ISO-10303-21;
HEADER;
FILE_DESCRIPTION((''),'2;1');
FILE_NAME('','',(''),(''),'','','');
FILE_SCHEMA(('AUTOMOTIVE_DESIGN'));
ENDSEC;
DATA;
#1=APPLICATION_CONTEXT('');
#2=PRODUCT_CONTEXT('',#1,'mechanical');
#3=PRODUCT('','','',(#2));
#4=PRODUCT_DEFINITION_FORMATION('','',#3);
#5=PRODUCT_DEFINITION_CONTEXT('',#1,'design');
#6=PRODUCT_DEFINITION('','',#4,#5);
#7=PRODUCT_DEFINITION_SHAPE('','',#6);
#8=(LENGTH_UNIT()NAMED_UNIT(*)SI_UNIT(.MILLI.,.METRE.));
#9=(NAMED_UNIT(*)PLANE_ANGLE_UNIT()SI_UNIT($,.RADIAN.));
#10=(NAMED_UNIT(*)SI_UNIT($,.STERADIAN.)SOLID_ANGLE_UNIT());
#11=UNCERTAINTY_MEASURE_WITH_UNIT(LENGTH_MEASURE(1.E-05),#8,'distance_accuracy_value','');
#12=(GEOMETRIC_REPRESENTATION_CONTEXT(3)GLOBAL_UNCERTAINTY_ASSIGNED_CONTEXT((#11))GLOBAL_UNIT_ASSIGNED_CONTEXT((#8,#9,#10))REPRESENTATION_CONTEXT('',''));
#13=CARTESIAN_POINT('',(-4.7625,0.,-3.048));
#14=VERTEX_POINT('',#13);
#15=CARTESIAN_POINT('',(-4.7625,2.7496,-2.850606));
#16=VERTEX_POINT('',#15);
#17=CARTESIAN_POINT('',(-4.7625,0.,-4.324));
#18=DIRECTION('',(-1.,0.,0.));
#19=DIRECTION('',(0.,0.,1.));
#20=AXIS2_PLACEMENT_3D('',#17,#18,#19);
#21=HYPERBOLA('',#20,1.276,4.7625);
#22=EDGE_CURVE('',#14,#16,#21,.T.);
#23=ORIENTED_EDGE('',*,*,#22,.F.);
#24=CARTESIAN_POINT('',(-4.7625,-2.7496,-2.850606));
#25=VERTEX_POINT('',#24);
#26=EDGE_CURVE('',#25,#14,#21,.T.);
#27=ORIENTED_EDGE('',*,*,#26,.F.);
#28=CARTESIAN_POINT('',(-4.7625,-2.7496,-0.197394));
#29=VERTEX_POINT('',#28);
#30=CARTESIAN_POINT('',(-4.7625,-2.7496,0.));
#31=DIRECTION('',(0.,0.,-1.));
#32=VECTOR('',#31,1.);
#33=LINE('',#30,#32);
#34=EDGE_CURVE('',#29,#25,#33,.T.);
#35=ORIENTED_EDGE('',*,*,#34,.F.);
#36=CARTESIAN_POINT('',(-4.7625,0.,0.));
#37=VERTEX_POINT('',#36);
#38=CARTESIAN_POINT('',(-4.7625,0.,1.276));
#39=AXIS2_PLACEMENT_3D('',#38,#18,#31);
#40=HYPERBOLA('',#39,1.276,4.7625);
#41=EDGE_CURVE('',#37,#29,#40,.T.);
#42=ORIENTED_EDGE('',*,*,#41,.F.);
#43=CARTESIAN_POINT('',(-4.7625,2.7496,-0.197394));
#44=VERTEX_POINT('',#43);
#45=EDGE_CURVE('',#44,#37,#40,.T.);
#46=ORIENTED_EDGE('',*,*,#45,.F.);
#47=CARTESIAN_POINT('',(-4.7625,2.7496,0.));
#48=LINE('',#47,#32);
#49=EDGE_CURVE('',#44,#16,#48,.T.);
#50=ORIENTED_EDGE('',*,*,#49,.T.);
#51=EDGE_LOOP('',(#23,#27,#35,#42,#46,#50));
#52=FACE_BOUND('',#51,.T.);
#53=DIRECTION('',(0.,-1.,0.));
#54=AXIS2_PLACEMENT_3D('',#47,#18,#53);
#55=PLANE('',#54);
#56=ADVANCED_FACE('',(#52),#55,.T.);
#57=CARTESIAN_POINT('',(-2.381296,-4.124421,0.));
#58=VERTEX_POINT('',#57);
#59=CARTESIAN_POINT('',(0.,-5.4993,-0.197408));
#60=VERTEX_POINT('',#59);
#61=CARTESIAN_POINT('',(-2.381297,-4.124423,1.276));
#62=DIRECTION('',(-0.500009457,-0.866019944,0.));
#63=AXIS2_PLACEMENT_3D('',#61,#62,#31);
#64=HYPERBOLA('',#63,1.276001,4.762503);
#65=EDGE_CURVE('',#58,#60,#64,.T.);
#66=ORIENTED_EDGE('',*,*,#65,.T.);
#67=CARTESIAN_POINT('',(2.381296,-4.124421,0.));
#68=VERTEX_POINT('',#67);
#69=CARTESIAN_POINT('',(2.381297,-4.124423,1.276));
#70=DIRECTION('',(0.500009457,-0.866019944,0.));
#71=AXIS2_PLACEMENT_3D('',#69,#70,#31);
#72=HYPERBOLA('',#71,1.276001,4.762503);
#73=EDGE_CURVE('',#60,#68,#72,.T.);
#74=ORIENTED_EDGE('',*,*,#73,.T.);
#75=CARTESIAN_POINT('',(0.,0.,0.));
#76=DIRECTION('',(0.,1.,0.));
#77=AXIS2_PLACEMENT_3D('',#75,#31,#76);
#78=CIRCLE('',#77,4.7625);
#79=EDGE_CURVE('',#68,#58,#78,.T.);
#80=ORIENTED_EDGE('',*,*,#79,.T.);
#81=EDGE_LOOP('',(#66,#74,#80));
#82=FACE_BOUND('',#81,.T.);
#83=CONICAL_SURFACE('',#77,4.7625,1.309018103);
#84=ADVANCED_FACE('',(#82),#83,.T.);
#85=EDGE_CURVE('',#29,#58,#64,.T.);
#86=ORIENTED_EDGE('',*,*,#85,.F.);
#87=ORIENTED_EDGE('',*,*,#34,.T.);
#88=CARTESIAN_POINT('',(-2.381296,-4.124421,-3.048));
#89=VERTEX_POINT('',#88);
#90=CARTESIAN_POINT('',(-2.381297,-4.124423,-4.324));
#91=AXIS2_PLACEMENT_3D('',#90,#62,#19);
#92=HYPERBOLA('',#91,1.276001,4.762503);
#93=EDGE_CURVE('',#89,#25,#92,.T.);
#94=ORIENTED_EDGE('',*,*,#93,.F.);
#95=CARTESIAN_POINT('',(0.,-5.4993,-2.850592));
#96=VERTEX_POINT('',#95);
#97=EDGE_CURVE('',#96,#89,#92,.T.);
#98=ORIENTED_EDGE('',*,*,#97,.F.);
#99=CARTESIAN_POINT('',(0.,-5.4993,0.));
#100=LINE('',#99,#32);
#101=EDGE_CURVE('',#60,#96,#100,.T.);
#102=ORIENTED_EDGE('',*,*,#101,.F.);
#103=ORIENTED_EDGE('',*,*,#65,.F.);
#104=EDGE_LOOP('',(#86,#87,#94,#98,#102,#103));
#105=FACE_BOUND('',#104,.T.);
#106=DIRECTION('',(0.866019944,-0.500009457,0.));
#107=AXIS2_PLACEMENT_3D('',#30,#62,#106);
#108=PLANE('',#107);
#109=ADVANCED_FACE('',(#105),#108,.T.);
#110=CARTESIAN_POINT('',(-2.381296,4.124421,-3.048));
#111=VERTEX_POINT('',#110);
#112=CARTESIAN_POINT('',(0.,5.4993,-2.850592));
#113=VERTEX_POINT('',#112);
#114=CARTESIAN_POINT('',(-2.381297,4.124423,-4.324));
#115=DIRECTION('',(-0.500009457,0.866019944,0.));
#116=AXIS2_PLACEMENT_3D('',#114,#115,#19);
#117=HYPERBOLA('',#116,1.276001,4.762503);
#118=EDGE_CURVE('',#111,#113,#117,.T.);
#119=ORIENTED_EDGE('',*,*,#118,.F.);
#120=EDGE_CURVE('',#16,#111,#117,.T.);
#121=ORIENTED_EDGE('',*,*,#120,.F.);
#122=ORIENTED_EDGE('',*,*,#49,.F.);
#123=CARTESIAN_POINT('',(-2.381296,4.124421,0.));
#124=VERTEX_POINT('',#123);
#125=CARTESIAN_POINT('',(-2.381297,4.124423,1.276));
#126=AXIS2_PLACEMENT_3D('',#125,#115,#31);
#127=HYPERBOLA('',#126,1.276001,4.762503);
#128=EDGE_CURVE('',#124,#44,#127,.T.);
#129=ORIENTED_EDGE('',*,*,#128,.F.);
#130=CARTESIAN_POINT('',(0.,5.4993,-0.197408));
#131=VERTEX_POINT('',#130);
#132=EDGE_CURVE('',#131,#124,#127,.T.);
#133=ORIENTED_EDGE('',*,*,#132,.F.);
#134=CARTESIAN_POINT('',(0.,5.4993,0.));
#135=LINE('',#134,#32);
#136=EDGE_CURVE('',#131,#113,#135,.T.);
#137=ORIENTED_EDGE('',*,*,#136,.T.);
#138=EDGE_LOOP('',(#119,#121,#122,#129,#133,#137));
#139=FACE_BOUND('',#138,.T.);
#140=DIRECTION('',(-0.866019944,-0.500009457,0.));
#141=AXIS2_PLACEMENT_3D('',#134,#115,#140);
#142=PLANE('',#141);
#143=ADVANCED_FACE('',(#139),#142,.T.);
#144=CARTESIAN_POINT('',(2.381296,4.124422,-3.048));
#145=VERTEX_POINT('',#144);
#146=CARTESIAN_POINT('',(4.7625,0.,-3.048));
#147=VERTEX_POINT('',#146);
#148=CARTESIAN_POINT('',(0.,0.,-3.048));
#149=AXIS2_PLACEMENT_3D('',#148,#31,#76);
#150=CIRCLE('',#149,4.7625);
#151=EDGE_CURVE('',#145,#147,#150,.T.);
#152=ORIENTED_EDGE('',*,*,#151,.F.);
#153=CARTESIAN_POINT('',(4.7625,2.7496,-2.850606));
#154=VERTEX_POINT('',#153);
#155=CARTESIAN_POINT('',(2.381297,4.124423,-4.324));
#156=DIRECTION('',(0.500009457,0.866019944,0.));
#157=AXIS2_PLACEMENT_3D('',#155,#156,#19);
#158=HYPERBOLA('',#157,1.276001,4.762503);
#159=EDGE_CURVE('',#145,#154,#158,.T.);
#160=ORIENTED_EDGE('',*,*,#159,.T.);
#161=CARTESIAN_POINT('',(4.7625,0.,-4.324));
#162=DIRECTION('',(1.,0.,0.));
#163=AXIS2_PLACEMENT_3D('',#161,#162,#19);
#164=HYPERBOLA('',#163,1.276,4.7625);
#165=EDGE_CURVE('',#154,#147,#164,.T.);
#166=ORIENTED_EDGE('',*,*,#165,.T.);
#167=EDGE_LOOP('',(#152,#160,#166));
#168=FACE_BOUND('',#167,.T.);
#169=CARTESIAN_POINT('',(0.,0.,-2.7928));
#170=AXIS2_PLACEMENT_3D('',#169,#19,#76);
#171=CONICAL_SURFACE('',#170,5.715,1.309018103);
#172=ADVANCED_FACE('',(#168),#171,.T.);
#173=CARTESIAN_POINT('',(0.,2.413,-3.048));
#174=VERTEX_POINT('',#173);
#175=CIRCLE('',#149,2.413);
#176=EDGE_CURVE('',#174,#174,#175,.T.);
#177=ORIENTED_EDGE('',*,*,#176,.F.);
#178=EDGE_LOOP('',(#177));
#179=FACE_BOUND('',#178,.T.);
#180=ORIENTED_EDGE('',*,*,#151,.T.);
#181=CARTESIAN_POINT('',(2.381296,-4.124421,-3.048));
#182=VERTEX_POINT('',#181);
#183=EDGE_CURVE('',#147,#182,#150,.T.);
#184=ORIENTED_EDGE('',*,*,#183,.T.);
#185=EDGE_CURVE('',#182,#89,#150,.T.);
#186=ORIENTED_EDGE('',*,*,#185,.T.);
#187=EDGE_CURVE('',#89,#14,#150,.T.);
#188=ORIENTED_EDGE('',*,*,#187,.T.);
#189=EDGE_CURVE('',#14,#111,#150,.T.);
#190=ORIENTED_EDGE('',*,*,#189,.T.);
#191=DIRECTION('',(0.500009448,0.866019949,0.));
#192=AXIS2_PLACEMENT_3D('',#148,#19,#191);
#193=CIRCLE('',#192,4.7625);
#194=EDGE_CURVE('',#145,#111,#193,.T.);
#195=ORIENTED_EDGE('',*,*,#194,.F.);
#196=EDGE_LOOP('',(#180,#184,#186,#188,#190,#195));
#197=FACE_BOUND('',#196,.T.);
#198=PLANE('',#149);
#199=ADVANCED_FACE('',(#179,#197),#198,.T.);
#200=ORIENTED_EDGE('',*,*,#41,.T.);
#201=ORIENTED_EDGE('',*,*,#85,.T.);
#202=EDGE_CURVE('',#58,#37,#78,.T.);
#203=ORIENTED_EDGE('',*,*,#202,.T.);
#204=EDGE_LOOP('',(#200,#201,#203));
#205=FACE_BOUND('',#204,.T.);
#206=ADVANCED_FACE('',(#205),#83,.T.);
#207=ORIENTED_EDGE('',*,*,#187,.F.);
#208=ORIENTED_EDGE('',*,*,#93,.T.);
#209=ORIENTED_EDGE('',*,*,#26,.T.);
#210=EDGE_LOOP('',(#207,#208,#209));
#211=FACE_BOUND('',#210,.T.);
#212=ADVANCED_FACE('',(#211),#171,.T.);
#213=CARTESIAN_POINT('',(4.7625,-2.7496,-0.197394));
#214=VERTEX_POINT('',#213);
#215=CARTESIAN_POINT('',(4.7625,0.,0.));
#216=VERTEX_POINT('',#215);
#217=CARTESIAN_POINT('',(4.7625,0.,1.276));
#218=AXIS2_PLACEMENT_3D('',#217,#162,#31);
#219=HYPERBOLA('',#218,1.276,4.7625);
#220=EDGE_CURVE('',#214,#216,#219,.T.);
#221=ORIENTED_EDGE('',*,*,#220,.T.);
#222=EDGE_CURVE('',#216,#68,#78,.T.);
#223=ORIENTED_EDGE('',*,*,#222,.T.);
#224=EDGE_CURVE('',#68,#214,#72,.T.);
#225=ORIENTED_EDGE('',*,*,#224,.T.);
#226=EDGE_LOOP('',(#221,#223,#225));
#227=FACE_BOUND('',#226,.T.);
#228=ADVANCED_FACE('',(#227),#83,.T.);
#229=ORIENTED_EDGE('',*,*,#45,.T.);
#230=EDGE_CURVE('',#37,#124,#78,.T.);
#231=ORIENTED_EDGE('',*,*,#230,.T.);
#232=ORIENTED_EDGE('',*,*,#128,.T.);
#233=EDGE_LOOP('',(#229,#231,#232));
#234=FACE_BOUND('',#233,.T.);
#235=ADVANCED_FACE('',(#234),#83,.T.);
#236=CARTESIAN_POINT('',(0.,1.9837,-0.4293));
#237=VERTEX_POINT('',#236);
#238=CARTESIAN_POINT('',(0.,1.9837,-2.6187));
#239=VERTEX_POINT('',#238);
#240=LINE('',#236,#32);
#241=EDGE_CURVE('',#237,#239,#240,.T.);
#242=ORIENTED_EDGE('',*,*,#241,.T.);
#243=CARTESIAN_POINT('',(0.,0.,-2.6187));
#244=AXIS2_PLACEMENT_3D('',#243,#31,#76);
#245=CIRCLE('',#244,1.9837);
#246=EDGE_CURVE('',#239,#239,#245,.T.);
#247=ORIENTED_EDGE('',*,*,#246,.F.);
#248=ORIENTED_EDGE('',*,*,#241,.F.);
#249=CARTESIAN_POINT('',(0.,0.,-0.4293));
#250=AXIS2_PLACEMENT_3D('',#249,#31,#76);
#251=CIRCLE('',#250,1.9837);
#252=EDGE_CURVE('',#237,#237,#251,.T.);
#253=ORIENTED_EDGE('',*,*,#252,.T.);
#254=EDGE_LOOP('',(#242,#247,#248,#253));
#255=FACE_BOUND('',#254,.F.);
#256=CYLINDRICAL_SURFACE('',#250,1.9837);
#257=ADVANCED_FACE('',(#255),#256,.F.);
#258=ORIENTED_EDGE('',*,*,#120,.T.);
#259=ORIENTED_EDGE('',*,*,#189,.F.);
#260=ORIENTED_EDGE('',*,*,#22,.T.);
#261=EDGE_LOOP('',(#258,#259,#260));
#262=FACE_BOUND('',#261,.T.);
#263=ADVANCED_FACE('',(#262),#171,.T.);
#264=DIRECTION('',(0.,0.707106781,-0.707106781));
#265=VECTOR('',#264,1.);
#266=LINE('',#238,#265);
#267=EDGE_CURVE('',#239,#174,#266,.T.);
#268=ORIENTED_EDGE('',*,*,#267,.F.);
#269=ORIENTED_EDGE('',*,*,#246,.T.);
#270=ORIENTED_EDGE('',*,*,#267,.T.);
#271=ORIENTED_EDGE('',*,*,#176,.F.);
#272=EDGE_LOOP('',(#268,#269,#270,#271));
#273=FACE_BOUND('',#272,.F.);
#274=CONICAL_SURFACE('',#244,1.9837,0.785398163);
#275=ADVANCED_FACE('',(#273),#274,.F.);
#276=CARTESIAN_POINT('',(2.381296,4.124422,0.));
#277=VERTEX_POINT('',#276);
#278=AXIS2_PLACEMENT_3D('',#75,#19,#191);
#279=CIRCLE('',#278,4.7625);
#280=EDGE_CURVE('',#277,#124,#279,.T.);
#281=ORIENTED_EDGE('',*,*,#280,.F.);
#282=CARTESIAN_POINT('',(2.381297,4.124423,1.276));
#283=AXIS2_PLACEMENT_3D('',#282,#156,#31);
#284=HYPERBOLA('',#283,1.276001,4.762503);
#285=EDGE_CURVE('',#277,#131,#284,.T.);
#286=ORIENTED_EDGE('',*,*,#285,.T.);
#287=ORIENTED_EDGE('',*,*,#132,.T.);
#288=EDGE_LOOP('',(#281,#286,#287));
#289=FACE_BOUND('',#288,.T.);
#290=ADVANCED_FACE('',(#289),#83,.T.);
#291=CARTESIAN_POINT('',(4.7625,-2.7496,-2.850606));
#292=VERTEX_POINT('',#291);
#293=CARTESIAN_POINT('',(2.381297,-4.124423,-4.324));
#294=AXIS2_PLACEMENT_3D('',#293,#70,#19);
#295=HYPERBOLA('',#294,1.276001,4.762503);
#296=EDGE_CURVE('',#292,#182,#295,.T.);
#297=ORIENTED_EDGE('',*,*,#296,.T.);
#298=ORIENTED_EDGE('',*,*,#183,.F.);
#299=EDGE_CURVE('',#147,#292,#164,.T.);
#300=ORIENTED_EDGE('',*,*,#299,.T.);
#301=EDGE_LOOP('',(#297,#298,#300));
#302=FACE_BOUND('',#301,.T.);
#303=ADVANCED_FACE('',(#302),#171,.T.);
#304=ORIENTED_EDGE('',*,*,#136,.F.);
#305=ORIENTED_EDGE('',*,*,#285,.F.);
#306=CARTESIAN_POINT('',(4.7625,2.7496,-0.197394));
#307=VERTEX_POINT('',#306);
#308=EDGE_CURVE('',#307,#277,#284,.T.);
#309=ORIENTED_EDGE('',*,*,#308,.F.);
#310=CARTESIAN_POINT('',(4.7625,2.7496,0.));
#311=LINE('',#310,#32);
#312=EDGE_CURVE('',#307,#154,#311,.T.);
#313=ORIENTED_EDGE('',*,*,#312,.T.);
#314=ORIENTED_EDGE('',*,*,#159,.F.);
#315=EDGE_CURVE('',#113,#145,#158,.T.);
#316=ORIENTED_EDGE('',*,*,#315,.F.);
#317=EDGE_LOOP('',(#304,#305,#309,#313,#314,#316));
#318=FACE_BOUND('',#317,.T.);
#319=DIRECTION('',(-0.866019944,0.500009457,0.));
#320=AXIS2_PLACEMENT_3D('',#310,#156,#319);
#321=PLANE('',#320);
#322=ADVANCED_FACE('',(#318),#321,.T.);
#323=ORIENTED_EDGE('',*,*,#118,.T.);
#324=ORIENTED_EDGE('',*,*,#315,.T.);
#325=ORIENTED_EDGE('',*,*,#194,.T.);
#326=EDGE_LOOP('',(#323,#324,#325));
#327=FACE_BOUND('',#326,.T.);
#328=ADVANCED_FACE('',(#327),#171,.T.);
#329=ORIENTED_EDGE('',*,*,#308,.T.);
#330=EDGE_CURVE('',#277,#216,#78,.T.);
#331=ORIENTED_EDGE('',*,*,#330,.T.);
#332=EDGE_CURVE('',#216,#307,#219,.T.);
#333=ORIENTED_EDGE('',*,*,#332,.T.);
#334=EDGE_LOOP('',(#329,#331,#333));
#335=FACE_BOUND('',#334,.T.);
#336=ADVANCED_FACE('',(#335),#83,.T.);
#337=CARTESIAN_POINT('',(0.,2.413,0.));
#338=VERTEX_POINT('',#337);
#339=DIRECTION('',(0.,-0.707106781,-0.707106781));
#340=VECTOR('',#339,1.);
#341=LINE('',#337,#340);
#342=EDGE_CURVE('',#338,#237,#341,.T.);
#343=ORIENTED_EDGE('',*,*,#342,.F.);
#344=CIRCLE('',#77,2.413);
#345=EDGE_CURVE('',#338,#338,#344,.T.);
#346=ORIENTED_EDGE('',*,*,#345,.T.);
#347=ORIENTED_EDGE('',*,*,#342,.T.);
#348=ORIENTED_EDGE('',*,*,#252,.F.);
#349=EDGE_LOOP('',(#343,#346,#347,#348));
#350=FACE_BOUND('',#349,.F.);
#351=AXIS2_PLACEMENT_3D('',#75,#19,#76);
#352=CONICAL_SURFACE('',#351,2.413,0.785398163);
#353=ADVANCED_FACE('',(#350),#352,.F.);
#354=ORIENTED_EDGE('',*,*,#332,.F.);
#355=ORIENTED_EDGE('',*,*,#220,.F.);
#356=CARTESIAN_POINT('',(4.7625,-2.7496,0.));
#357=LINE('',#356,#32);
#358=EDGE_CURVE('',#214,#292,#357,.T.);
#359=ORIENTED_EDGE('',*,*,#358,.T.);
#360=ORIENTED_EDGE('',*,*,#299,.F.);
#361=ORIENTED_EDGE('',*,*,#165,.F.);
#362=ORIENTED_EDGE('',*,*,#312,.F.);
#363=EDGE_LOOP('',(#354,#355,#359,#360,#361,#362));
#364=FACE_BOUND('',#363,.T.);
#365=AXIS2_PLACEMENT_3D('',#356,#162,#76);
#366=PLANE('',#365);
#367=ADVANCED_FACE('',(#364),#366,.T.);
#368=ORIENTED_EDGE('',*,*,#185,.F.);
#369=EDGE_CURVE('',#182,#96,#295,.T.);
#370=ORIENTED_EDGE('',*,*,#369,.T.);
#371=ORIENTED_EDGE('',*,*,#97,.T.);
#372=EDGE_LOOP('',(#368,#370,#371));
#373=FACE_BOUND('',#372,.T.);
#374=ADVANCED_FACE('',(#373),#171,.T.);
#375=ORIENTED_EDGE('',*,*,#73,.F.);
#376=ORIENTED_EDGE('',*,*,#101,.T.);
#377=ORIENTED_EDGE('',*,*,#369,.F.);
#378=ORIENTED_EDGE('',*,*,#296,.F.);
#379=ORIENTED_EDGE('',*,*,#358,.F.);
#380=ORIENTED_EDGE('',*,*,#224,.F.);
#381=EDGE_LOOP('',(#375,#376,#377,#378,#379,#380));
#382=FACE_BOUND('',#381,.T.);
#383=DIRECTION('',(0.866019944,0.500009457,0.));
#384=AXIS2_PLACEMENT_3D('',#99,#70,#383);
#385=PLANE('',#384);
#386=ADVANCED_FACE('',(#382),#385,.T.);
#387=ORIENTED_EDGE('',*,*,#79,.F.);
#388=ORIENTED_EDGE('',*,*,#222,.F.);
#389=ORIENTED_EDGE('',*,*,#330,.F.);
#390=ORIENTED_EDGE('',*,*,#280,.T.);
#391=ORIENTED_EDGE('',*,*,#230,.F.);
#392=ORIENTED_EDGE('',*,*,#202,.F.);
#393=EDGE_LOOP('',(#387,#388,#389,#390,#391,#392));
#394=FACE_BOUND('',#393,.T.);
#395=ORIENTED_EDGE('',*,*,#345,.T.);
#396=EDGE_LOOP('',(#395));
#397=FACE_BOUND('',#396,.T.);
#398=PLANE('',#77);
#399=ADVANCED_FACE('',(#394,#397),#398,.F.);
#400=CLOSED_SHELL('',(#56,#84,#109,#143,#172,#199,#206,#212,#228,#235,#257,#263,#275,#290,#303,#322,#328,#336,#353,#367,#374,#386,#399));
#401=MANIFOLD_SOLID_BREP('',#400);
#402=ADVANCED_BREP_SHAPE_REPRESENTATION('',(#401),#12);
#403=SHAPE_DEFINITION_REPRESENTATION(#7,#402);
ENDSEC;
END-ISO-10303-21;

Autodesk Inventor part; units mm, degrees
sketch "Sketch_8" plane through (0, 0, 0) normal (1, 0, 0) x (0, 1, 0)
  line L0 (0, -3.048) -> (0, 0)
  line L1 (0, 0) -> (4.7625, 0)
  line L2 (4.7625, 0) -> (5.715, -0.2552)
  line L3 (5.715, -0.2552) -> (5.715, -2.7928)
  line L4 (5.715, -2.7928) -> (4.7625, -3.048)
  line L5 (4.7625, -3.048) -> (0, -3.048)
  line L6 (0, -3.048) -> (0, 0)
sketch "Sketch_10" plane through (0, 0, 0) normal (0, 0, 1) x (1, 0, 0)
  line L0 (-9.525, 9.525) -> (-9.525, -9.525)
  line L1 (-9.525, -9.525) -> (9.525, -9.525)
  line L2 (9.525, -9.525) -> (9.525, 9.525)
  line L3 (9.525, 9.525) -> (-9.525, 9.525)
  line L4 (-4.7625, 2.7496) -> (-4.7625, -2.7496)
  line L5 (-4.7625, -2.7496) -> (0, -5.4993)
  line L6 (0, -5.4993) -> (4.7625, -2.7496)
  line L7 (4.7625, -2.7496) -> (4.7625, 2.7496)
  line L8 (4.7625, 2.7496) -> (0, 5.4993)
  line L9 (0, 5.4993) -> (-4.7625, 2.7496)
revolve "Revolution1" add sketch "Sketch_8" angle 360 about axis through (0, 0, -3.048) along (0, 0, -1)
extrude "Extrusion1" cut sketch "Sketch_10" against normal blind 3.048
sketch "Sketch_11" plane through (0, 0, 0) normal (1, 0, 0) x (0, 1, 0)
  line L0 (0, -3.048) -> (0, 0)
  line L1 (0, 0) -> (2.413, 0)
  line L2 (2.413, 0) -> (1.9837, -0.4293)
  line L3 (1.9837, -0.4293) -> (1.9837, -2.6187)
  line L4 (1.9837, -2.6187) -> (2.413, -3.048)
  line L5 (2.413, -3.048) -> (0, -3.048)
  line L6 (0, -3.048) -> (0, 0)
revolve "Revolution2" cut sketch "Sketch_11" angle 360 about axis through (0, 0, -3.048) along (0, 0, -1)
thread "Thread1" size "10-32 UNF" class "2B" standard "ANSI Unified Screw Threads" full length
ref_plane "NUT_XY" through (0, 0, 0) normal (0, 0, 1) x (1, 0, 0)
ref_plane "NUT_YZ" through (0, 0, 0) normal (1, 0, 0) x (0, 1, 0)
ref_plane "NUT_ZX" through (0, 0, 0) normal (0, 1, 0) x (0, 0, 1)
ref_plane "a1_XY" through (-4.7625, 4.7625, 0) normal (0, 0, 1) x (1, 0, 0)
ref_plane "a1_YZ" through (-4.7625, 4.7625, 0) normal (1, 0, 0) x (0, 1, 0)
ref_plane "a1_ZX" through (-4.7625, 4.7625, 0) normal (0, 1, 0) x (0, 0, 1)
ref_plane "a2_XY" through (4.7625, 4.7625, 0) normal (0, 0, 1) x (1, 0, 0)
ref_plane "a2_YZ" through (4.7625, 4.7625, 0) normal (1, 0, 0) x (0, 1, 0)
ref_plane "a2_ZX" through (4.7625, 4.7625, 0) normal (0, 1, 0) x (0, 0, 1)
ref_plane "b1_XY" through (0, 4.7625, 0) normal (1, 0, 0) x (0, 0, -1)
ref_plane "b1_YZ" through (0, 4.7625, 0) normal (0, 0, -1) x (0, 1, 0)
ref_plane "b1_ZX" through (0, 4.7625, 0) normal (0, 1, 0) x (1, 0, 0)
ref_plane "b2_XY" through (0, 4.7625, -3.048) normal (1, 0, 0) x (0, 0, -1)
ref_plane "b2_YZ" through (0, 4.7625, -3.048) normal (0, 0, -1) x (0, 1, 0)
ref_plane "b2_ZX" through (0, 4.7625, -3.048) normal (0, 1, 0) x (1, 0, 0)
ref_plane "e_XY" through (0, 0, -3.048) normal (1, 0, 0) x (0, 0, -1)
ref_plane "e_YZ" through (0, 0, -3.048) normal (0, 0, -1) x (0, 1, 0)
ref_plane "e_ZX" through (0, 0, -3.048) normal (0, 1, 0) x (1, 0, 0)
ref_plane "ol1_XY" through (0, 0, -4.7625) normal (0, 1, 0) x (1, 0, 0)
ref_plane "ol1_YZ" through (0, 0, -4.7625) normal (1, 0, 0) x (0, 0, -1)
ref_plane "ol1_ZX" through (0, 0, -4.7625) normal (0, 0, -1) x (0, 1, 0)
ref_plane "ol2_XY" through (3.048, 0, -4.7625) normal (0, 1, 0) x (1, 0, 0)
ref_plane "ol2_YZ" through (3.048, 0, -4.7625) normal (1, 0, 0) x (0, 0, -1)
ref_plane "ol2_ZX" through (3.048, 0, -4.7625) normal (0, 0, -1) x (0, 1, 0)
ref_plane "th1_XY" through (0, 2.413, -3.048) normal (1, 0, 0) x (0, 0, -1)
ref_plane "th1_YZ" through (0, 2.413, -3.048) normal (0, 0, -1) x (0, 1, 0)
ref_plane "th1_ZX" through (0, 2.413, -3.048) normal (0, 1, 0) x (1, 0, 0)
ref_plane "th2_XY" through (0, -2.413, -3.048) normal (1, 0, 0) x (0, 0, -1)
ref_plane "th2_YZ" through (0, -2.413, -3.048) normal (0, 0, -1) x (0, 1, 0)
ref_plane "th2_ZX" through (0, -2.413, -3.048) normal (0, 1, 0) x (1, 0, 0)
properties part number "D-5288"
